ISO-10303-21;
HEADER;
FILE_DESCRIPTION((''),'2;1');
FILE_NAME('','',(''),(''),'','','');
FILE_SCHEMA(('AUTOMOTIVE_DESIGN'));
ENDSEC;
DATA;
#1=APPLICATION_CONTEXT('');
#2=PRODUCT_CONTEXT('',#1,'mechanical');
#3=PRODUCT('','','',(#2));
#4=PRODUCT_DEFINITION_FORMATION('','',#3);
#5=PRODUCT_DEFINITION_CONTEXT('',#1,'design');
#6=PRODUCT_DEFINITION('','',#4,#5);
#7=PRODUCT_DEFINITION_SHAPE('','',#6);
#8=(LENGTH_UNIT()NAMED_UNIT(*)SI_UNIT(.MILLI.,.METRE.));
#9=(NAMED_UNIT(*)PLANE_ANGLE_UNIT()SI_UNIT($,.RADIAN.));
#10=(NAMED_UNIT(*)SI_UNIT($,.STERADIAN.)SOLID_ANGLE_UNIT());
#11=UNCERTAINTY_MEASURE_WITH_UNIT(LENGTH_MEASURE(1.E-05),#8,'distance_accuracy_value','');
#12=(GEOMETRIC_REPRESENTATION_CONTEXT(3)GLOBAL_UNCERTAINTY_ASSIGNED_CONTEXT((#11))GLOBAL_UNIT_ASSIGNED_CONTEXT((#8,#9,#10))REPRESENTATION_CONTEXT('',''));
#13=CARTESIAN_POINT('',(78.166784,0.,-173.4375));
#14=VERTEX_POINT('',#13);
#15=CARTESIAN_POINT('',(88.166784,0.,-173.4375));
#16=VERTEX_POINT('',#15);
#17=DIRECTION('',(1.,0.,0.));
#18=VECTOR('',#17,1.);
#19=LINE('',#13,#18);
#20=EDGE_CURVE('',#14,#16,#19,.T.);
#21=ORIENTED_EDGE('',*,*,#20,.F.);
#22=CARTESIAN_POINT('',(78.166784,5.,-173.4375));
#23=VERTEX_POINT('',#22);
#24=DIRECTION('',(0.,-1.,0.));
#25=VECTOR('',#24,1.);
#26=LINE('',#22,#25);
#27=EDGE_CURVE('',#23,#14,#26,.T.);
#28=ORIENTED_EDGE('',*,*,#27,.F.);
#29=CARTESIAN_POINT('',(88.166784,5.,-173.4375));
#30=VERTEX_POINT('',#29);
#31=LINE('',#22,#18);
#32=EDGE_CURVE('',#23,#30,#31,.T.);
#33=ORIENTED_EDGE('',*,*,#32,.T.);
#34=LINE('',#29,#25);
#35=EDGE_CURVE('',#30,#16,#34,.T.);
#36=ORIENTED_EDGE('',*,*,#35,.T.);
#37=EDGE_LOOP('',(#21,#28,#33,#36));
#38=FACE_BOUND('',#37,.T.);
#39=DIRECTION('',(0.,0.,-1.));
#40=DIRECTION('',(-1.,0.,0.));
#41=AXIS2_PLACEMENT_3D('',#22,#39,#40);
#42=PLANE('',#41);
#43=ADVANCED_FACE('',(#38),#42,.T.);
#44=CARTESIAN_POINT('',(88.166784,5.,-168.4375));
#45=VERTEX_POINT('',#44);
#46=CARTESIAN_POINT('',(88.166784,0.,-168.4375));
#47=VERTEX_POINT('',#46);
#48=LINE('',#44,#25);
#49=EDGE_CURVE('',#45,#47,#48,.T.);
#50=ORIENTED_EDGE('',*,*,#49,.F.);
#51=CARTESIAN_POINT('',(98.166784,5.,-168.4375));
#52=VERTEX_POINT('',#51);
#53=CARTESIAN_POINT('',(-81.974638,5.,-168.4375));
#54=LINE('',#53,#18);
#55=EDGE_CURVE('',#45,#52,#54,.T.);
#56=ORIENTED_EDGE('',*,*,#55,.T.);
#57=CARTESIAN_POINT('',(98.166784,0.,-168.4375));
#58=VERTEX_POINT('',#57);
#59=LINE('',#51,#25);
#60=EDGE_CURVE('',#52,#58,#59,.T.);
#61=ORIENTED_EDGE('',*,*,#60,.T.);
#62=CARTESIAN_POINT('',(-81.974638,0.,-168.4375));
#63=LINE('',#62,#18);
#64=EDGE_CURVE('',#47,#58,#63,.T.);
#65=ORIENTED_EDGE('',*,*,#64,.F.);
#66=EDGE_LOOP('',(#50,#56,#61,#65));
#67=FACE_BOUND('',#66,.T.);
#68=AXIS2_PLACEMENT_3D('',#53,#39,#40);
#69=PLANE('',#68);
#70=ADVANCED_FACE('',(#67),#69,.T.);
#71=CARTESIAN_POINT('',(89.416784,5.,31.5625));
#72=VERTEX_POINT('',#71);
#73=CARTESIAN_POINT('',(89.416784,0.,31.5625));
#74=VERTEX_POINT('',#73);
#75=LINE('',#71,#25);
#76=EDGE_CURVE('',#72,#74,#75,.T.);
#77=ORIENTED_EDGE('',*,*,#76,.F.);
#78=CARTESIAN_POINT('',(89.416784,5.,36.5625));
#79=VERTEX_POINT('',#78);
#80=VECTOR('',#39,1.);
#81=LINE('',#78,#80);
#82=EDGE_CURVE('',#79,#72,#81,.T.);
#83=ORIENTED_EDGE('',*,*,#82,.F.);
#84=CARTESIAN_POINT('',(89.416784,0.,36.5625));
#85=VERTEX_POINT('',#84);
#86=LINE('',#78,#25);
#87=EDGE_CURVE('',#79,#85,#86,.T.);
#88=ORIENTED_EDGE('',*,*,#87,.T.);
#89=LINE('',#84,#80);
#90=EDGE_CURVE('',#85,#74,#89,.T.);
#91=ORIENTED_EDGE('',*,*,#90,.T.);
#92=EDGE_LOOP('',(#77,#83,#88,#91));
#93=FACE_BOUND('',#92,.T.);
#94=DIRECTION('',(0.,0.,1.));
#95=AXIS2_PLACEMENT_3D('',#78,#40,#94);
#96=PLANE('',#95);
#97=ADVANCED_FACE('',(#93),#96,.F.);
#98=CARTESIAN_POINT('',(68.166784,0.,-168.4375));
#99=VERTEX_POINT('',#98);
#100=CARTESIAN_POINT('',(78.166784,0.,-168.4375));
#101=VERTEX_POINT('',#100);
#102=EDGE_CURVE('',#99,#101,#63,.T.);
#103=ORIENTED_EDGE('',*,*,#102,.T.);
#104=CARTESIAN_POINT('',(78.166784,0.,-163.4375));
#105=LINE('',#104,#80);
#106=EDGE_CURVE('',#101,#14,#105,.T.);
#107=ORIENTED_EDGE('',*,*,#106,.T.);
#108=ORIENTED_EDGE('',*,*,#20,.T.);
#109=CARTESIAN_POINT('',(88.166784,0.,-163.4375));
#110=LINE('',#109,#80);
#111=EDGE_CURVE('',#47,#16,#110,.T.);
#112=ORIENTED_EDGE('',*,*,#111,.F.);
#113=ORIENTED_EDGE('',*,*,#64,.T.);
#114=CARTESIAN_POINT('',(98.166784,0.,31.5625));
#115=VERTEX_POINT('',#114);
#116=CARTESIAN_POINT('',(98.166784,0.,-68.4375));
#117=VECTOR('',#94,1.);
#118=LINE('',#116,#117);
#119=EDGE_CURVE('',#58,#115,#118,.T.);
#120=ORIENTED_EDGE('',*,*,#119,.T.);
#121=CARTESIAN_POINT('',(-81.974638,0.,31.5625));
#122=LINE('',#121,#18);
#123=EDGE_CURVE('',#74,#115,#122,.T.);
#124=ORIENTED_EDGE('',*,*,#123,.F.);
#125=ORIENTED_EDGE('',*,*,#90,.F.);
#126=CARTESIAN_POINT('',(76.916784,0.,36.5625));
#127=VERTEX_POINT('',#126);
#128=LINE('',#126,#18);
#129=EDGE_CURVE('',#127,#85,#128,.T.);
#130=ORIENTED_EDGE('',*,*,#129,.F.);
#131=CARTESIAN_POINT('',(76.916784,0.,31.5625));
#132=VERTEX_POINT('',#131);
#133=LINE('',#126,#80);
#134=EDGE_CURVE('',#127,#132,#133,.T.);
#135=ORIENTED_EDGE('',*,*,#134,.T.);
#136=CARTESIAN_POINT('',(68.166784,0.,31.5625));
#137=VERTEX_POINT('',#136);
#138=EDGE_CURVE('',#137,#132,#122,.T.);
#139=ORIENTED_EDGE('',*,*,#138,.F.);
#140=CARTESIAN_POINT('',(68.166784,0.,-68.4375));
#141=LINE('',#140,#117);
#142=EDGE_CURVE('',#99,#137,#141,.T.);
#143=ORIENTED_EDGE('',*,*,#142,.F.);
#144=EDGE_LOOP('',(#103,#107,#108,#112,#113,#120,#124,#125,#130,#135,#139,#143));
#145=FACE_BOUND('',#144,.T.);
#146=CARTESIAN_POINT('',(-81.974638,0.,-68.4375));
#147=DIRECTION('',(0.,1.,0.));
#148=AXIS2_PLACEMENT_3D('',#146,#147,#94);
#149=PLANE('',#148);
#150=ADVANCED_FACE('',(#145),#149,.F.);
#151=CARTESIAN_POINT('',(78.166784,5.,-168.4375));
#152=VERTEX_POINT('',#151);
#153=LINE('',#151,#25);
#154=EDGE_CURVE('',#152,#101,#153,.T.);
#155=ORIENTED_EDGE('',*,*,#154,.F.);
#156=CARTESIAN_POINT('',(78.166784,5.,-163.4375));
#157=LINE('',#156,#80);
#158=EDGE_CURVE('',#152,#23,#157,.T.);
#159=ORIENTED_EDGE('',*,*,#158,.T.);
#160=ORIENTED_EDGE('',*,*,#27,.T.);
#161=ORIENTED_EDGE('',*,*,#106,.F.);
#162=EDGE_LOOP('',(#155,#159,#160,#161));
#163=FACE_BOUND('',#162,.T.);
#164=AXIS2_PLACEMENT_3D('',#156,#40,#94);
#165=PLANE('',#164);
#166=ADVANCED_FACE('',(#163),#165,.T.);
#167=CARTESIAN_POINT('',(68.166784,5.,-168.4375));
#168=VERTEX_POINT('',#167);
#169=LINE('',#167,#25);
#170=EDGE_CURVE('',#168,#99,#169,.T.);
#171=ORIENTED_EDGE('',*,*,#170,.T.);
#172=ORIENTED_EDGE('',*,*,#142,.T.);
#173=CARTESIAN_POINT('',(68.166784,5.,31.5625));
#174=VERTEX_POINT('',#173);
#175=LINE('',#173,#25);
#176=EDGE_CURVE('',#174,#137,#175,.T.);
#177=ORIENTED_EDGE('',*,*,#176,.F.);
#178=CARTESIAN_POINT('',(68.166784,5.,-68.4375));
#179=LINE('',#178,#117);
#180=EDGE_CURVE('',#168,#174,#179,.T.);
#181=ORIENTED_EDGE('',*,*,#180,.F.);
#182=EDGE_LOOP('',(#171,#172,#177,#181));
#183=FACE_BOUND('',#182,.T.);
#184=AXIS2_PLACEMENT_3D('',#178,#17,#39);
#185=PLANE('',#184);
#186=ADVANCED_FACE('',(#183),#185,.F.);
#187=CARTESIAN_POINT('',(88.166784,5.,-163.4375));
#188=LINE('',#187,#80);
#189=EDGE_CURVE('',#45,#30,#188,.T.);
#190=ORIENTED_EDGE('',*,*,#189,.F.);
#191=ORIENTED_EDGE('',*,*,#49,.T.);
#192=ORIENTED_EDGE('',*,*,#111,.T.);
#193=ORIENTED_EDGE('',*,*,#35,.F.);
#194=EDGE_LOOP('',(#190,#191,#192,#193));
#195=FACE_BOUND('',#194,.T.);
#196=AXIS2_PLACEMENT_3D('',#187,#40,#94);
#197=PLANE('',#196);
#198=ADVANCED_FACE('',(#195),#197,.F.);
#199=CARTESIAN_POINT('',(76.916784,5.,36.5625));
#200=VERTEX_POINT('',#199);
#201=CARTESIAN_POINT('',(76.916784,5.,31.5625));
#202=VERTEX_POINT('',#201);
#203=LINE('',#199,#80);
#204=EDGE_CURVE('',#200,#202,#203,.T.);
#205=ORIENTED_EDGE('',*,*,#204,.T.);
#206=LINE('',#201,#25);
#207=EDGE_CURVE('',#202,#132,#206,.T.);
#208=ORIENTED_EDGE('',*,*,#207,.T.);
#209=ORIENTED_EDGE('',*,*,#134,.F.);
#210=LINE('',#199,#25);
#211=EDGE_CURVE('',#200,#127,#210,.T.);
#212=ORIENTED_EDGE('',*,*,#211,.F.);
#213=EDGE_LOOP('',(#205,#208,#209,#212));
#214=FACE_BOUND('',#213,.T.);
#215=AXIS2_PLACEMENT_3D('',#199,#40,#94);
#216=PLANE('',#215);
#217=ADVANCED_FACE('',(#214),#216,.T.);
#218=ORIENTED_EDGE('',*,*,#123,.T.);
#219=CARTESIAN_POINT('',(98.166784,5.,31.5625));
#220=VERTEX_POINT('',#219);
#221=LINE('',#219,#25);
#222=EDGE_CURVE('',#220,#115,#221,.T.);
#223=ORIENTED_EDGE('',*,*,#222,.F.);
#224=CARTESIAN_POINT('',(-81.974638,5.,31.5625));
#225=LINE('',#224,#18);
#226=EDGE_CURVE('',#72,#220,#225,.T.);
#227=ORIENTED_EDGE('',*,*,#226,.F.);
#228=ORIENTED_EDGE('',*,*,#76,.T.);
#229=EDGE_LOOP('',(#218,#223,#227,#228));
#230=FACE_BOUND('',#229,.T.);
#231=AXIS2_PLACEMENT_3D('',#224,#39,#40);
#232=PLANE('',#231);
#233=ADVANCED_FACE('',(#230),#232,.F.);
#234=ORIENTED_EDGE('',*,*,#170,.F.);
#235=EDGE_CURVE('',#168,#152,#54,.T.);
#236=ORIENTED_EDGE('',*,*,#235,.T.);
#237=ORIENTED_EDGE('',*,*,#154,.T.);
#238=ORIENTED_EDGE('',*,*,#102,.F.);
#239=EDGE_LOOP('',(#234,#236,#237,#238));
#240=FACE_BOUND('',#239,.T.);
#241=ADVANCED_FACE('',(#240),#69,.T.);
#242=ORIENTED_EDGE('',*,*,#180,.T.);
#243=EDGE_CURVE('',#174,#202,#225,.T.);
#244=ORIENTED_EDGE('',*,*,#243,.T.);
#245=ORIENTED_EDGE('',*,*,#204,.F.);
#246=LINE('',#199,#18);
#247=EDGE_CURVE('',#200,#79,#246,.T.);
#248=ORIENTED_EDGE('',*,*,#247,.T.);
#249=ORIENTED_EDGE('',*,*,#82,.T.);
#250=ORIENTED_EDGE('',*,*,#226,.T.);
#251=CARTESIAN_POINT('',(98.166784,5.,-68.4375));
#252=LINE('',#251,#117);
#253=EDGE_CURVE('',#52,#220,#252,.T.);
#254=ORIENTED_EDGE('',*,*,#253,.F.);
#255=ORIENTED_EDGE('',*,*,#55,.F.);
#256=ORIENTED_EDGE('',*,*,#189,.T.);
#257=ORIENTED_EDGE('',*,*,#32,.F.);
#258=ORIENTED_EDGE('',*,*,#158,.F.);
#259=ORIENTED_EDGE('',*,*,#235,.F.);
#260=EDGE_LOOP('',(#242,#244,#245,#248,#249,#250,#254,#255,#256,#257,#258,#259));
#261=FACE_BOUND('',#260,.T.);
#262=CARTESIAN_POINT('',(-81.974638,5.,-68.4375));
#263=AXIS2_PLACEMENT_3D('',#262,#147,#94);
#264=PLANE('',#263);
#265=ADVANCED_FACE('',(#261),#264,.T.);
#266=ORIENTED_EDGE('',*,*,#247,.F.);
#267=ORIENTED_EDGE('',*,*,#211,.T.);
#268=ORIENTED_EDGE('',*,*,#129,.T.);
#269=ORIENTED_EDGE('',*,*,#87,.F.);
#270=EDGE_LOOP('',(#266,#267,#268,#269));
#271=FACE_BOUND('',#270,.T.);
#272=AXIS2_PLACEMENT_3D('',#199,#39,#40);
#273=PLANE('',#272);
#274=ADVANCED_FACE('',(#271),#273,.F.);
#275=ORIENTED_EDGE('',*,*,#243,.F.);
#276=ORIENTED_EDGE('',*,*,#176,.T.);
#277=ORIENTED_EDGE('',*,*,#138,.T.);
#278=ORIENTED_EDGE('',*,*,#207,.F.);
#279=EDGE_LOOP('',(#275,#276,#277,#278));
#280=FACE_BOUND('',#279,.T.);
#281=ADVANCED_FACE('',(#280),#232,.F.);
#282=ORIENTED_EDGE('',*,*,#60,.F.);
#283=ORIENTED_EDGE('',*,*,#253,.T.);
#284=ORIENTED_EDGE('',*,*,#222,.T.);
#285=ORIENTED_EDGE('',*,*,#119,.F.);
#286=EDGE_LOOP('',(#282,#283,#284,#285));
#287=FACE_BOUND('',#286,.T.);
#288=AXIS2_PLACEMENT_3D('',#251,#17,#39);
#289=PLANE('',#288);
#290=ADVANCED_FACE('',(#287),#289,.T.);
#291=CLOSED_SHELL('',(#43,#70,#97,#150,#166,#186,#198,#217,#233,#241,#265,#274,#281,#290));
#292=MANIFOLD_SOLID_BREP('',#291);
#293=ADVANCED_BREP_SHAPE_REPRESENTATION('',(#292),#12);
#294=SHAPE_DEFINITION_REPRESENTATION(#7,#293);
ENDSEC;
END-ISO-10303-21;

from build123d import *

# Parameters (mm, degrees)
SKETCH1_W           = 12.5
SKETCH1_H           = 10
SKETCH1_W_2         = 30
SKETCH1_H_2         = 200
SKETCH1_W_3         = 10
BOSS_EXTRUDE1_DEPTH = 5


with BuildPart() as part:
    # Sketch1 → Boss-Extrude1 (new body)
    with BuildSketch(Plane(origin=(0, 0, 0), x_dir=(1, 0, 0), z_dir=(0, 1, 0))):
        with Locations((83.16678375, -31.56250034)):
            Rectangle(SKETCH1_W, SKETCH1_H)
        with Locations((83.16678375, 68.43749966)):
            Rectangle(SKETCH1_W_2, SKETCH1_H_2)
        with Locations((83.16678375, 168.43749966)):
            Rectangle(SKETCH1_W_3, SKETCH1_H)
    extrude(amount=BOSS_EXTRUDE1_DEPTH)


solid = part.part
